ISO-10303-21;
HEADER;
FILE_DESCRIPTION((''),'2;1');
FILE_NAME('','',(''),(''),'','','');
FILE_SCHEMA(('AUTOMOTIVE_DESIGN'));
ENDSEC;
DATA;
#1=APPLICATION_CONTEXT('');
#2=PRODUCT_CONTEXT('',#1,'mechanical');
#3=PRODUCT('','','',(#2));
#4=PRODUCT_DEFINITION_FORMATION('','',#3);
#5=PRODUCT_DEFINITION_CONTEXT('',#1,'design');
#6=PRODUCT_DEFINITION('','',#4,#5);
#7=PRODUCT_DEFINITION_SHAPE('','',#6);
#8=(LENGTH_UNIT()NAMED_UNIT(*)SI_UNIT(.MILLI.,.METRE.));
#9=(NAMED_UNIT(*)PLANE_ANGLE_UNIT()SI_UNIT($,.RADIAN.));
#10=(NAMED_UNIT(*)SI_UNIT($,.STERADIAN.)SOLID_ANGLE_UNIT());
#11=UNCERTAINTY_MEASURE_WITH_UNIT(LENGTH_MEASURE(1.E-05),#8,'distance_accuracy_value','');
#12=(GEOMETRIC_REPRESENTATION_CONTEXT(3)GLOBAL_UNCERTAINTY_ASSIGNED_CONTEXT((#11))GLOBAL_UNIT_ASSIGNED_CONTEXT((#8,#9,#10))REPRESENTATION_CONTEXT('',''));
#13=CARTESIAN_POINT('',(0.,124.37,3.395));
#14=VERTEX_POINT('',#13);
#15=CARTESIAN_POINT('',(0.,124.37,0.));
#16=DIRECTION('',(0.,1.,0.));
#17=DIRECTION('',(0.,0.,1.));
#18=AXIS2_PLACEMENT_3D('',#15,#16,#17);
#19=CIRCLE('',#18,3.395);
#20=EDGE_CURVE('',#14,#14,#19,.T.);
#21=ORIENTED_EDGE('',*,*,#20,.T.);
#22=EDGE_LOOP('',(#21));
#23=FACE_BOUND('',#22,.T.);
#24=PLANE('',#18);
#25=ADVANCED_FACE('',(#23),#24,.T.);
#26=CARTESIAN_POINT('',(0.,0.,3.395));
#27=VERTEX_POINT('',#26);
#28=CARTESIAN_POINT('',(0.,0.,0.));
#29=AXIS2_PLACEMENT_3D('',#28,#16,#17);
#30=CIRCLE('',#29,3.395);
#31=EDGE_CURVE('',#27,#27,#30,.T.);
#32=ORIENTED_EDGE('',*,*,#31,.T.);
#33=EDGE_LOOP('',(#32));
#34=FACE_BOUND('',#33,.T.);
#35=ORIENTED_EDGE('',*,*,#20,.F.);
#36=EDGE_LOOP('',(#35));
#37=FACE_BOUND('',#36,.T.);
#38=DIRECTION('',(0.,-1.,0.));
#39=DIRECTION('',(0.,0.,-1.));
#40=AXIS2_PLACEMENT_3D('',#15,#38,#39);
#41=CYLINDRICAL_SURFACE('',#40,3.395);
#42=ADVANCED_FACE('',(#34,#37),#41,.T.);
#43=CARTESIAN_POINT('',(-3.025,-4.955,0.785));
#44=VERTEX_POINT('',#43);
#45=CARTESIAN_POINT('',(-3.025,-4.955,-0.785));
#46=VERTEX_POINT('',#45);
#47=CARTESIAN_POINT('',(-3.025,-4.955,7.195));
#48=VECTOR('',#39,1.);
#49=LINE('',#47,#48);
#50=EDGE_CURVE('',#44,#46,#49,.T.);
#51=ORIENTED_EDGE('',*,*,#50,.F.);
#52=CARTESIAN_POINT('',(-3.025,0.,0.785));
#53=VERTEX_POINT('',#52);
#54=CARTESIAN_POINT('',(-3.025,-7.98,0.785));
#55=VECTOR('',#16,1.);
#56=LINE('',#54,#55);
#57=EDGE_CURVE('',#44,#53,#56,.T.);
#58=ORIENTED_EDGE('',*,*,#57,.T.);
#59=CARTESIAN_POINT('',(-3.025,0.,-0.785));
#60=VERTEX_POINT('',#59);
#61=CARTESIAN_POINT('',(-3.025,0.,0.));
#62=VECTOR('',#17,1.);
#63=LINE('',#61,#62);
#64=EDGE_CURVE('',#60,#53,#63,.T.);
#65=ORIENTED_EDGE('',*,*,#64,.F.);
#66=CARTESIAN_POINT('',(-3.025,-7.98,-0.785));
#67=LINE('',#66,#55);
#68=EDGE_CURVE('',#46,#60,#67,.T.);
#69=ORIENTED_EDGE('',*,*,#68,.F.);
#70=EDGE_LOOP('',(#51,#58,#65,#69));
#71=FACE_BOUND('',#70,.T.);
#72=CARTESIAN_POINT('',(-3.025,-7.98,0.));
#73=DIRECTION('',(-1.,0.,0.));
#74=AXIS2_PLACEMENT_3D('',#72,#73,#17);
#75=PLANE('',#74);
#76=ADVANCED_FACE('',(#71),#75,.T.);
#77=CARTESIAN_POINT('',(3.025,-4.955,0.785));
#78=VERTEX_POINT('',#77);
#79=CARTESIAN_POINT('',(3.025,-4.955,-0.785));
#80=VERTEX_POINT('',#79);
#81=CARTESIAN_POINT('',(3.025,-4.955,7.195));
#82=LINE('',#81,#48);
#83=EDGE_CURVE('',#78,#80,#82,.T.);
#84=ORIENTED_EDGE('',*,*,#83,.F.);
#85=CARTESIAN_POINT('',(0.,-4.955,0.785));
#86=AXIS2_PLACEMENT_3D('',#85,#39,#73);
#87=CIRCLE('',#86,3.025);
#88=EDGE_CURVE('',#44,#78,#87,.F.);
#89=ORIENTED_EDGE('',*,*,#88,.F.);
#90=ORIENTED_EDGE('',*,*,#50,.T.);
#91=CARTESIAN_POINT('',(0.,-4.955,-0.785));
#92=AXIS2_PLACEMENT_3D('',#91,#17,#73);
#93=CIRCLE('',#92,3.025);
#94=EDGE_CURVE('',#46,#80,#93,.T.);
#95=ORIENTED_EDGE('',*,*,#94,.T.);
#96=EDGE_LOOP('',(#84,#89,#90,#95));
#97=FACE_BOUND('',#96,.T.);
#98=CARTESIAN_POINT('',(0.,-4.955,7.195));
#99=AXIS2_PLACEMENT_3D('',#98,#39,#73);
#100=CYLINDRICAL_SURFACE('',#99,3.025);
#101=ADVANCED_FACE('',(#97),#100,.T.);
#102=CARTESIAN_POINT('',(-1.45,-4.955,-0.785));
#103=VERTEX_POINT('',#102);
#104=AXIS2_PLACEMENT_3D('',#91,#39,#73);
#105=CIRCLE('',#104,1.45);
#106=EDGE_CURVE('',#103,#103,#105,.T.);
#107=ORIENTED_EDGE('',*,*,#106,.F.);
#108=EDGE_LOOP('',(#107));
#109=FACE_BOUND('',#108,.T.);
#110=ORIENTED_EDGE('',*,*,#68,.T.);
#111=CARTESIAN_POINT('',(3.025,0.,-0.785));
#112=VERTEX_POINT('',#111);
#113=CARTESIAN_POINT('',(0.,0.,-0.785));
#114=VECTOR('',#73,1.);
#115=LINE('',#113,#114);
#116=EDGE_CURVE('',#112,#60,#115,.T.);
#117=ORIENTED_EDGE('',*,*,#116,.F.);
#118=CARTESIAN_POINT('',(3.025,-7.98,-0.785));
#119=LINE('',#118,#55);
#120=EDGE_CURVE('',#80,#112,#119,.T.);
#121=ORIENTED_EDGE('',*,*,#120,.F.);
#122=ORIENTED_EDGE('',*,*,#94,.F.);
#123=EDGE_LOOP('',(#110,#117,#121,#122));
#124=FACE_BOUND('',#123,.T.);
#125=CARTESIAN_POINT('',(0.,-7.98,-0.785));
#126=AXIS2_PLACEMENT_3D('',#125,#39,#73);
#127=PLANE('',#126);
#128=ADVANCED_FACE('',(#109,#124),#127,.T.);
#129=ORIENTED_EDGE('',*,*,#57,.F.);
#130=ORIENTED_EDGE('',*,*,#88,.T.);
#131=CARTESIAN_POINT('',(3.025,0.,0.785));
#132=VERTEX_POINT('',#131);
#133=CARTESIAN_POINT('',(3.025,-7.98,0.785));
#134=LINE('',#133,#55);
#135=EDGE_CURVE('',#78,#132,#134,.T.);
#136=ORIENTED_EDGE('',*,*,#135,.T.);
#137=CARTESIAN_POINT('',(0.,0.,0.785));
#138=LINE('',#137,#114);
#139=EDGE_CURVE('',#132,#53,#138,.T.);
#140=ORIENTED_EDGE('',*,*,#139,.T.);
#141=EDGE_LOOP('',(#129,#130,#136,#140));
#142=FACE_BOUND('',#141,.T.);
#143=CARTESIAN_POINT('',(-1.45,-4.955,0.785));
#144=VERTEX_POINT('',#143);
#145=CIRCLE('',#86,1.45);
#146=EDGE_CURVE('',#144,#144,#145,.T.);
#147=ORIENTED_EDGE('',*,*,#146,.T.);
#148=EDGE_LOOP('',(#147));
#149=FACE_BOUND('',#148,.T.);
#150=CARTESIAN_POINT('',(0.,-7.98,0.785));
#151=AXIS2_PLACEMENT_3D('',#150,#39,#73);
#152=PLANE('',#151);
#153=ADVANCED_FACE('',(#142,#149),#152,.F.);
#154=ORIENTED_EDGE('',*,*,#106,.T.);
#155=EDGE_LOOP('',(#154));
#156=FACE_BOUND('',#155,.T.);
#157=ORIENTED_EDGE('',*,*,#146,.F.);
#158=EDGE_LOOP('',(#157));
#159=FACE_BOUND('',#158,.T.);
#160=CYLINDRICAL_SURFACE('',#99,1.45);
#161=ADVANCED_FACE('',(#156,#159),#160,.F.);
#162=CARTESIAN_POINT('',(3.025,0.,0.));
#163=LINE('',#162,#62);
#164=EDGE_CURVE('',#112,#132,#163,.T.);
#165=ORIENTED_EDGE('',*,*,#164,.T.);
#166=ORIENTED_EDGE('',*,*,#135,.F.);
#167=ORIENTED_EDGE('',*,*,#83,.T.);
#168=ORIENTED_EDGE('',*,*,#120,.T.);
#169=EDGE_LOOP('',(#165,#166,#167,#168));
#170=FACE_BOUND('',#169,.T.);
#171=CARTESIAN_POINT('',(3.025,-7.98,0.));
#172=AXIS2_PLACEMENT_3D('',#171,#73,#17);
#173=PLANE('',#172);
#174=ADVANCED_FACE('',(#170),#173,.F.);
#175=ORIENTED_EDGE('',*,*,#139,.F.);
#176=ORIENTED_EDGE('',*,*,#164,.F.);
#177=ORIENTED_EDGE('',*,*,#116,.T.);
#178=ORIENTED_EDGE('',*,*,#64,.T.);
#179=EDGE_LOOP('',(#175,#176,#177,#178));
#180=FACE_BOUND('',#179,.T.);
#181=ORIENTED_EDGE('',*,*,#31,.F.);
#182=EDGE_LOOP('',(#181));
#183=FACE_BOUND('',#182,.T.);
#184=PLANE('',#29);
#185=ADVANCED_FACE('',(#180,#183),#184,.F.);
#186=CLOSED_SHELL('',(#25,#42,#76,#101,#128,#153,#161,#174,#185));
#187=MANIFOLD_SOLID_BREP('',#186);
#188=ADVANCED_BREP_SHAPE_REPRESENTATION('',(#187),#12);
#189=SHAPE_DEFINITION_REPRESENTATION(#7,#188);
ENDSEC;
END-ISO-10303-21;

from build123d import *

# Parameters (mm, degrees)
SKETCH1_R           = 3.395
BOSS_EXTRUDE1_DEPTH = 124.37
SKETCH3_W           = 6.05
SKETCH3_H           = 0.785
BOSS_EXTRUDE2_DEPTH = 7.98
CUT_EXTRUDE1_DEPTH  = 7.98
SKETCH5_R           = 1.45
CUT_EXTRUDE2_DEPTH  = 7.98


with BuildPart() as part:
    # Sketch1 → Boss-Extrude1 (new body)
    with BuildSketch(Plane(origin=(0, 0, 0), x_dir=(1, 0, 0), z_dir=(0, 1, 0))):
        Circle(SKETCH1_R)
    extrude(amount=BOSS_EXTRUDE1_DEPTH)

    # Sketch3 → Boss-Extrude2 (add)
    with BuildSketch(Plane(origin=(0, 0, 0), x_dir=(1, 0, 0), z_dir=(0, 1, 0))):
        with Locations((0, 0.3925)):
            Rectangle(SKETCH3_W, SKETCH3_H)
        with Locations((0, -0.3925)):
            Rectangle(SKETCH3_W, SKETCH3_H)
    extrude(amount=-BOSS_EXTRUDE2_DEPTH)

    # Sketch4 → Cut-Extrude1 (cut)
    with BuildSketch(Plane(origin=(0, 0, -0.785), x_dir=(-1, 0, 0), z_dir=(0, 0, -1))):
        with BuildLine():
            Line((-3.025, -4.955), (-5.551253647, -4.955))
            Line((-5.551253647, -4.955), (-3.356299124, -8.834088681))
            Line((-3.356299124, -8.834088681), (4.987206478, -9.531994941))
            Line((4.987206478, -9.531994941), (4.886235873, -4.955))
            Line((4.886235873, -4.955), (3.025, -4.955))
            ThreePointArc((3.025, -4.955), (0, -7.98), (-3.025, -4.955))
        make_face()
    extrude(amount=-CUT_EXTRUDE1_DEPTH, mode=Mode.SUBTRACT)

    # Sketch5 → Cut-Extrude2 (cut)
    with BuildSketch(Plane(origin=(0, 0, -0.785), x_dir=(-1, 0, 0), z_dir=(0, 0, -1))):
        with Locations((0, -4.955)):
            Circle(SKETCH5_R)
    extrude(amount=-CUT_EXTRUDE2_DEPTH, mode=Mode.SUBTRACT)


solid = part.part
